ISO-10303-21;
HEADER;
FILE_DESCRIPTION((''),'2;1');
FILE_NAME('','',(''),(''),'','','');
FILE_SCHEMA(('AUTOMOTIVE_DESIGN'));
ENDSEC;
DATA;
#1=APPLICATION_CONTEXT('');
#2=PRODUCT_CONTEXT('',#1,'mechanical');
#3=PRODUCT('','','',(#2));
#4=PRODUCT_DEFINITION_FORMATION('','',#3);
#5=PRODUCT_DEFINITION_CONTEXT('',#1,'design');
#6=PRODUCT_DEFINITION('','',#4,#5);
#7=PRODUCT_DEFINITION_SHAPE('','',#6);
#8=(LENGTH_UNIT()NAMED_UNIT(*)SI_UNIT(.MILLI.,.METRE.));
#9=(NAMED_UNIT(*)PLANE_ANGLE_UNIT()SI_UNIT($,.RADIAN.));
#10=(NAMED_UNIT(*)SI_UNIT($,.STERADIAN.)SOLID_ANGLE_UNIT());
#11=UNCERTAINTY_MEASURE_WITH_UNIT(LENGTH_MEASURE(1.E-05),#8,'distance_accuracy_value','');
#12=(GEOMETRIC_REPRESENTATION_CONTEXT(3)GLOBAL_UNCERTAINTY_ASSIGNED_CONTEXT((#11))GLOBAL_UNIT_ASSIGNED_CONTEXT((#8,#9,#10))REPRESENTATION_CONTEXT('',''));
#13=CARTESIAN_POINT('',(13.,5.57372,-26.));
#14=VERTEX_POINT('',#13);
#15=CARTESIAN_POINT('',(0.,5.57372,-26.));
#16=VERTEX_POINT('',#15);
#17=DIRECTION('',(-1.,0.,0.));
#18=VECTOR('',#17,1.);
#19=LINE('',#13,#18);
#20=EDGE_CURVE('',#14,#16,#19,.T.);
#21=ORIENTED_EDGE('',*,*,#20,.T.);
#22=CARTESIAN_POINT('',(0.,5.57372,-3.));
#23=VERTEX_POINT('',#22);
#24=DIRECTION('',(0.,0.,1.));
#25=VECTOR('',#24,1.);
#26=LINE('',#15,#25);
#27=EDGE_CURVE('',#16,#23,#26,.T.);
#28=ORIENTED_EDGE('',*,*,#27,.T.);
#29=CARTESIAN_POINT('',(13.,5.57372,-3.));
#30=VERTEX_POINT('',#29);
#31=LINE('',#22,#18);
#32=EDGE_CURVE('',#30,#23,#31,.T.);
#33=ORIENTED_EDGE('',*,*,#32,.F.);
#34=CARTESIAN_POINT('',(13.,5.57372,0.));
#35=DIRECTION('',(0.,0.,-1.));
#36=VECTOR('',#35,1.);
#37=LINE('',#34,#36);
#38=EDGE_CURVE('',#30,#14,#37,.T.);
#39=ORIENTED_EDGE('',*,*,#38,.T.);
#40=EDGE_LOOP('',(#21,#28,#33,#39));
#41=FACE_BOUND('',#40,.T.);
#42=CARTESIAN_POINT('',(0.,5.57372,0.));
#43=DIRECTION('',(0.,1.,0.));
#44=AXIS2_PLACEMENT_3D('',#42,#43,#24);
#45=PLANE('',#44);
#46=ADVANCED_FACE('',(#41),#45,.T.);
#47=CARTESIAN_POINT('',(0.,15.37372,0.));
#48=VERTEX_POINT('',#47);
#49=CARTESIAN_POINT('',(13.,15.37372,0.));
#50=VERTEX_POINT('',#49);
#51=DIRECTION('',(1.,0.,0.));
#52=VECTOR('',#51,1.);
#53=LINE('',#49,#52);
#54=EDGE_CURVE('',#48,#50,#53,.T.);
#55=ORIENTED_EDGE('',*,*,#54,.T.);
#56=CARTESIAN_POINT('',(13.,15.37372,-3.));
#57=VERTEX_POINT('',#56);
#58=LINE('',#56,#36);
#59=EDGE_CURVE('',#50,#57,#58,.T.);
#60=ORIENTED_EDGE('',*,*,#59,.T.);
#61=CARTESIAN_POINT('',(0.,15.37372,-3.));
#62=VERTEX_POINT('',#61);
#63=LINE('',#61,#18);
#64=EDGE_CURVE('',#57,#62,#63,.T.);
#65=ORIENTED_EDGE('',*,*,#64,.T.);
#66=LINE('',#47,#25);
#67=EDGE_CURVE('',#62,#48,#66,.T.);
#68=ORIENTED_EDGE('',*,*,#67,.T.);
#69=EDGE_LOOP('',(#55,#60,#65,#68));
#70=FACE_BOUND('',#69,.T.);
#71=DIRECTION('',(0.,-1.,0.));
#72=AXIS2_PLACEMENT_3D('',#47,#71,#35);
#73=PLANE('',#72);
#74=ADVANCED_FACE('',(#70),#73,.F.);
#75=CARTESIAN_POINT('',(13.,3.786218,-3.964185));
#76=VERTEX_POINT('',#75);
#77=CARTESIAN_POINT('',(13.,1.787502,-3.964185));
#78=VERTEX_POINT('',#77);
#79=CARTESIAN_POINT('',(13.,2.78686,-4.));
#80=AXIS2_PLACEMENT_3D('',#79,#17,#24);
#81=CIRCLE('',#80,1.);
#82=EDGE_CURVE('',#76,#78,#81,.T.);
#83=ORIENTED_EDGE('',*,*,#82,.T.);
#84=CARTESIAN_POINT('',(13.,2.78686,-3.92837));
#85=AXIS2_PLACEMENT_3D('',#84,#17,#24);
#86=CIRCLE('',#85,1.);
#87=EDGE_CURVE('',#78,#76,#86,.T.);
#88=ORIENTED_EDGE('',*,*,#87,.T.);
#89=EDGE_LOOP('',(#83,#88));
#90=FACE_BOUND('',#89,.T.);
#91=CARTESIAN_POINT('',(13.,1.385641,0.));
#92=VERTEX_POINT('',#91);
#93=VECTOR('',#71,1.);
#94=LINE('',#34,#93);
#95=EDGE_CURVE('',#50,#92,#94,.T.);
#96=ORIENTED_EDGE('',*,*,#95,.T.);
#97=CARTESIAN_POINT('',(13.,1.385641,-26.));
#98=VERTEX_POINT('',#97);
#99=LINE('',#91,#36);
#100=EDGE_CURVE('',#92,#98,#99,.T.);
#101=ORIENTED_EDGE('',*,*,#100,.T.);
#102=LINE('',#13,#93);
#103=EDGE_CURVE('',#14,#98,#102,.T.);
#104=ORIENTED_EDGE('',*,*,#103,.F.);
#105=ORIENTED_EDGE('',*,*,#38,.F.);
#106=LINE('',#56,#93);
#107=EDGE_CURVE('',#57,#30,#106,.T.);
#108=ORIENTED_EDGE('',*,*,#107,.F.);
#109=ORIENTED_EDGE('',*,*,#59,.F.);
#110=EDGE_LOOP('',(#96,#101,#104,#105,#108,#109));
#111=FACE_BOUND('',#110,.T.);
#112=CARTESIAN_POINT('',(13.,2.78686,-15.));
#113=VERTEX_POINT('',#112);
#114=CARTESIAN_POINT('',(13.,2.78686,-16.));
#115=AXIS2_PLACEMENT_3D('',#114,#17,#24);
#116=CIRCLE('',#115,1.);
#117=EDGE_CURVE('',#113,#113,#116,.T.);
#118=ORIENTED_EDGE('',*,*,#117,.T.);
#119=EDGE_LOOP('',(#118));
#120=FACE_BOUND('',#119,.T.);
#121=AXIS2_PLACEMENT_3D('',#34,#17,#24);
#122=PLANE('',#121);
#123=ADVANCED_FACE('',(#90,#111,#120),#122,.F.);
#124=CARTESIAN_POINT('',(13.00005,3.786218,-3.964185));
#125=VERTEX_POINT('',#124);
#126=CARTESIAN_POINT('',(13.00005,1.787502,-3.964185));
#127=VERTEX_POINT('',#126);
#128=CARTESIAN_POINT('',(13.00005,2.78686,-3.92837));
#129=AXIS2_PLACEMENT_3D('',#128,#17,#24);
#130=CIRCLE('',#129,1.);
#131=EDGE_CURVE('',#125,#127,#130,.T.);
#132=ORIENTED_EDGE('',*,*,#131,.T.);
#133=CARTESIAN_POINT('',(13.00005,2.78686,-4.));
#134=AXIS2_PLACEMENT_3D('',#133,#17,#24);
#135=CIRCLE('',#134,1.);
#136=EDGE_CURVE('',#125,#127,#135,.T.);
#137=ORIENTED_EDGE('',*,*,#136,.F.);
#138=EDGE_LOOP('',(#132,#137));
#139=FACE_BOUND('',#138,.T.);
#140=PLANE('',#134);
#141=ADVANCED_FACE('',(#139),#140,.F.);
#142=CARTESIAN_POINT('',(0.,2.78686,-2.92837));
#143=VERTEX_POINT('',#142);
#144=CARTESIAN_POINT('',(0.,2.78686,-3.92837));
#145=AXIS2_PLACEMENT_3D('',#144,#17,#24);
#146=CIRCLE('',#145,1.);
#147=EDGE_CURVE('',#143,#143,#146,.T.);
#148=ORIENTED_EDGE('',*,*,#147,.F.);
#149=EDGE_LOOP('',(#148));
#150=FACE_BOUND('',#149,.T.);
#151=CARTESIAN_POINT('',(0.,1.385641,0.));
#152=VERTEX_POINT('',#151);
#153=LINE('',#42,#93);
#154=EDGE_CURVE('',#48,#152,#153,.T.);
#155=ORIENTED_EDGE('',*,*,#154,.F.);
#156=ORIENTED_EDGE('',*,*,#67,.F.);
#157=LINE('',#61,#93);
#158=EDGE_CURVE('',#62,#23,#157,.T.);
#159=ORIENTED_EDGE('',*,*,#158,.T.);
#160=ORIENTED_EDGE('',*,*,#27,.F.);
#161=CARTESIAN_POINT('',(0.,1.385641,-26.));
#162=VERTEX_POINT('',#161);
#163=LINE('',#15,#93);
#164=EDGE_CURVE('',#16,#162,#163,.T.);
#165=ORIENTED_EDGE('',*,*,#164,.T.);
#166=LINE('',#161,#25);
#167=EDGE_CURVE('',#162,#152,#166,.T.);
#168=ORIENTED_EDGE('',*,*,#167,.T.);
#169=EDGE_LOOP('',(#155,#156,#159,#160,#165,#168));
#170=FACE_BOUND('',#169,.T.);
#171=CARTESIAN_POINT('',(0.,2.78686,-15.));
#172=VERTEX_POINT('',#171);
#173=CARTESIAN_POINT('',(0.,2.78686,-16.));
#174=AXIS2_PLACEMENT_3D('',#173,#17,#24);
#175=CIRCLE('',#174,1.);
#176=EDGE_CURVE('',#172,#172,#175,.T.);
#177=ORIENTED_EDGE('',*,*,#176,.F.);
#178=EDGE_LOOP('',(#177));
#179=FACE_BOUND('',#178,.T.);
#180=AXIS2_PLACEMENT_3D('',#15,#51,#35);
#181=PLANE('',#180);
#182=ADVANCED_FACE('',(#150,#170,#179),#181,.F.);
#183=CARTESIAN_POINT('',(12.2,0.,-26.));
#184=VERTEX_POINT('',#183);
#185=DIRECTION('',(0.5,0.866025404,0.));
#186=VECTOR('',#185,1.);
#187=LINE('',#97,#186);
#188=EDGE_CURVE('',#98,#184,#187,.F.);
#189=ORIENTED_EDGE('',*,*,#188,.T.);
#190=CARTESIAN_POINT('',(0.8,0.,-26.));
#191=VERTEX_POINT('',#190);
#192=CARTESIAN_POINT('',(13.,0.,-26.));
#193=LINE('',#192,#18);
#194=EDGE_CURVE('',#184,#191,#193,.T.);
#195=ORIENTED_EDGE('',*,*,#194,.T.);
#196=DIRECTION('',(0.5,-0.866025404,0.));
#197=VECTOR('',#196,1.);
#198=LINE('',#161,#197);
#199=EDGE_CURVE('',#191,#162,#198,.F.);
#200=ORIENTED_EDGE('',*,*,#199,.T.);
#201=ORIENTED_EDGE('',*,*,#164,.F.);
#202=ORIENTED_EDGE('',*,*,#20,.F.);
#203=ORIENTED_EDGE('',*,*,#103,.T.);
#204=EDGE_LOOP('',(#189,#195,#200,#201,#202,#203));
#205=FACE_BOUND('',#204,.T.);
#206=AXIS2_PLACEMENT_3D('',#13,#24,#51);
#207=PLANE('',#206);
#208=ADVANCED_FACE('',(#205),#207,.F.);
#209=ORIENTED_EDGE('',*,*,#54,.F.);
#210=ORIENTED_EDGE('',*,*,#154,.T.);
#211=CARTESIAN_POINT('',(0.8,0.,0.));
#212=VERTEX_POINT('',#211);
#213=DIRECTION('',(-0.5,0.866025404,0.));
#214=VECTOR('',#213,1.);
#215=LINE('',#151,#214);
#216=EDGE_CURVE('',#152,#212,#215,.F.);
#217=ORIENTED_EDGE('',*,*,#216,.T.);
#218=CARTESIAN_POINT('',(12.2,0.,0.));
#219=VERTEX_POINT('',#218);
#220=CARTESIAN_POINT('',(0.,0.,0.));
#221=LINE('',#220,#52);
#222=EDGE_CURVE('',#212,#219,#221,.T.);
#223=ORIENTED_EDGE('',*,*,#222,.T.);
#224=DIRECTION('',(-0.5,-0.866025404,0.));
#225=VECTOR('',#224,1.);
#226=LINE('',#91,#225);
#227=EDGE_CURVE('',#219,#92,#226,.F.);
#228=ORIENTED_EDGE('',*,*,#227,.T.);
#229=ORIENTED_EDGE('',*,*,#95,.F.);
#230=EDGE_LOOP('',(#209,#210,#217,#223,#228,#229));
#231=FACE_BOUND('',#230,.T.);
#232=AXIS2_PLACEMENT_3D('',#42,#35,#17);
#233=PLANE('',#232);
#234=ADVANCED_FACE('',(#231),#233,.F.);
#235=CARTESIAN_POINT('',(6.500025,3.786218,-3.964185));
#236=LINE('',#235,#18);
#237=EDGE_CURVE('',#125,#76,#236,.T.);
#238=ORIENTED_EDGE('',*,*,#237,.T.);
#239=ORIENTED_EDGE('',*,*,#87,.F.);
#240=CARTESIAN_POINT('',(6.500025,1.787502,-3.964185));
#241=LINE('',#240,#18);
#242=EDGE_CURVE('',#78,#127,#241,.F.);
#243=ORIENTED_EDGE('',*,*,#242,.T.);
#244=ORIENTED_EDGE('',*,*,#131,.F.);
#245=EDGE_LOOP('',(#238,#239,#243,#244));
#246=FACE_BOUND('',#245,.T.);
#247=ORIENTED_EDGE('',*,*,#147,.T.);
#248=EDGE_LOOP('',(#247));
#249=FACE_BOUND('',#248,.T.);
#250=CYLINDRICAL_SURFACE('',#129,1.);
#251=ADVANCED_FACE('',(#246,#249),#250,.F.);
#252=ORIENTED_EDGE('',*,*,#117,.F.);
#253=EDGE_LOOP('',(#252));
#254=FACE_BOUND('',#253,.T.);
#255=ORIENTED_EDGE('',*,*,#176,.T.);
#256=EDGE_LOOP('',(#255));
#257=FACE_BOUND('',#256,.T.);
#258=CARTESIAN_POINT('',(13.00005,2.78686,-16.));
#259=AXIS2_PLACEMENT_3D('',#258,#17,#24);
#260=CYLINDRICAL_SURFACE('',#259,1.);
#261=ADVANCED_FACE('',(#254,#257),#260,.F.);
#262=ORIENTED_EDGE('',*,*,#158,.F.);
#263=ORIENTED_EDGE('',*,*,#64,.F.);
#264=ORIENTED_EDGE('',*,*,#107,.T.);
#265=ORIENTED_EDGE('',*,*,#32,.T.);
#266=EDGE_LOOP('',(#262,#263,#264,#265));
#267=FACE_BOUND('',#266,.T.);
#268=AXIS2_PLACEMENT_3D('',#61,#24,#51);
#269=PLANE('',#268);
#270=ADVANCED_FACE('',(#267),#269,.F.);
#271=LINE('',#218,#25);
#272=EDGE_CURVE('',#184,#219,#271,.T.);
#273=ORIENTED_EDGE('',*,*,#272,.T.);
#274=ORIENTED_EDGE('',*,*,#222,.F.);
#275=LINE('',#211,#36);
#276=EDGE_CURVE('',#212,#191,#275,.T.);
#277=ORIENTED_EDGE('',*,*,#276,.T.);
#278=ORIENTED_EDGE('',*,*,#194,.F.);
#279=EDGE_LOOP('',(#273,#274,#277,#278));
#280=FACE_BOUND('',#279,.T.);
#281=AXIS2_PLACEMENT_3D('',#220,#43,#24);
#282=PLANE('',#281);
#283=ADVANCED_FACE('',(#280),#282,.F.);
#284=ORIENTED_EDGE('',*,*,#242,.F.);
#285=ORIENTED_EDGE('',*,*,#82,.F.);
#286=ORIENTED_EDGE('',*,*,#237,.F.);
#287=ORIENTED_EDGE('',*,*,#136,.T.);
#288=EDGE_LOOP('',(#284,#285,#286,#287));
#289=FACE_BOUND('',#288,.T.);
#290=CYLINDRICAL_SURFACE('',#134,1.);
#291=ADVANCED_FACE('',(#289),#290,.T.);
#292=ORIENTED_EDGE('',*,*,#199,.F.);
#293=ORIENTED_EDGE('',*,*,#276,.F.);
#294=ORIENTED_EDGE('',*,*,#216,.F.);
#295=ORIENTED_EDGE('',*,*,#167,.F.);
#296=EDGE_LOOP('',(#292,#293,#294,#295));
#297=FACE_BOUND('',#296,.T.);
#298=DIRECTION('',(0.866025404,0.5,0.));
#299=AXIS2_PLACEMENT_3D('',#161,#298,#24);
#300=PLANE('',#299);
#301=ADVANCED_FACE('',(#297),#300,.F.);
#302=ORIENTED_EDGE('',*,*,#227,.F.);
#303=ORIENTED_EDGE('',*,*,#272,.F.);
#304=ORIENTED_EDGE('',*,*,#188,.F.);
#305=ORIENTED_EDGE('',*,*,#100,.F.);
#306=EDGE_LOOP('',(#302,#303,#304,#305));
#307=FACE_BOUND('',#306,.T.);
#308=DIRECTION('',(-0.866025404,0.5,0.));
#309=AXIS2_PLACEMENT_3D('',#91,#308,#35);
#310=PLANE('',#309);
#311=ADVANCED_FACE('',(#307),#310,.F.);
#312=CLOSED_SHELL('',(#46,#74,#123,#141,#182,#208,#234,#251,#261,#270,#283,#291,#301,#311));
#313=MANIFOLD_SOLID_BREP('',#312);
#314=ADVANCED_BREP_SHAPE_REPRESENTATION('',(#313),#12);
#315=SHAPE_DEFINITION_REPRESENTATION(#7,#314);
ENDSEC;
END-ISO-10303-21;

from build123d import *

# Parameters (mm, degrees)
SKETCH_1_W          = 13
SKETCH_1_H          = 26
EXTRUDE_1_DEPTH     = 5.57372
SKETCH_2_W          = 13
SKETCH_2_H          = 3
EXTRUDE_2_DEPTH     = 9.8
SKETCH_4_R          = 1
CUT_EXTRUDE_1_DEPTH = 14
CHAMFER_2_SIZE      = 0.8
CHAMFER_2_SIZE2     = 1.385640646
SKETCH_5_R          = 1
EXTRUDE_3_DEPTH     = 13
SKETCH_6_R          = 1
CUT_EXTRUDE_2_DEPTH = 14


with BuildPart() as part:
    # ｽｹｯﾁ1 → ﾎﾞｽ - 押し出し1 (new body)
    with BuildSketch(Plane(origin=(0, 0, 0), x_dir=(1, 0, 0), z_dir=(0, 1, 0))):
        with Locations((6.5, 13)):
            Rectangle(SKETCH_1_W, SKETCH_1_H)
    extrude(amount=EXTRUDE_1_DEPTH)

    # ｽｹｯﾁ2 → ﾎﾞｽ - 押し出し2 (add)
    with BuildSketch(Plane(origin=(0, 5.57372, 0), x_dir=(1, 0, 0), z_dir=(0, 1, 0))):
        with Locations((6.5, 1.5)):
            Rectangle(SKETCH_2_W, SKETCH_2_H)
    extrude(amount=EXTRUDE_2_DEPTH)

    # ｽｹｯﾁ4 → ｶｯﾄ - 押し出し1 (cut, through all)
    with BuildSketch(Plane.ZY):
        with Locations((-16, 2.78686)):
            Circle(SKETCH_4_R)
        with Locations((-4, 2.78686)):
            Circle(SKETCH_4_R)
    extrude(amount=-CUT_EXTRUDE_1_DEPTH, mode=Mode.SUBTRACT)

    # 面取り2
    chamfer_2_edges = [part.edges().sort_by_distance(p)[0] for p in [
        (13, 0, -13),
        (0, 0, -13),
    ]]
    chamfer_2_side = [part.faces().sort_by_distance(p)[0] for p in [
        (6.5, 0, -13),
    ]]
    chamfer(chamfer_2_edges, length=CHAMFER_2_SIZE, length2=CHAMFER_2_SIZE2, reference=chamfer_2_side[0])

    # ｽｹｯﾁ5 → ﾎﾞｽ - 押し出し3 (add, through all)
    with BuildSketch(Plane.ZY):
        with Locations((-4, 2.78686)):
            Circle(SKETCH_5_R)
    extrude(amount=-EXTRUDE_3_DEPTH)

    # ｽｹｯﾁ6 → ｶｯﾄ - 押し出し2 (cut, through all)
    with BuildSketch(Plane.ZY):
        with Locations((-3.92837, 2.78686)):
            Circle(SKETCH_6_R)
    extrude(amount=-CUT_EXTRUDE_2_DEPTH, mode=Mode.SUBTRACT)


solid = part.part
